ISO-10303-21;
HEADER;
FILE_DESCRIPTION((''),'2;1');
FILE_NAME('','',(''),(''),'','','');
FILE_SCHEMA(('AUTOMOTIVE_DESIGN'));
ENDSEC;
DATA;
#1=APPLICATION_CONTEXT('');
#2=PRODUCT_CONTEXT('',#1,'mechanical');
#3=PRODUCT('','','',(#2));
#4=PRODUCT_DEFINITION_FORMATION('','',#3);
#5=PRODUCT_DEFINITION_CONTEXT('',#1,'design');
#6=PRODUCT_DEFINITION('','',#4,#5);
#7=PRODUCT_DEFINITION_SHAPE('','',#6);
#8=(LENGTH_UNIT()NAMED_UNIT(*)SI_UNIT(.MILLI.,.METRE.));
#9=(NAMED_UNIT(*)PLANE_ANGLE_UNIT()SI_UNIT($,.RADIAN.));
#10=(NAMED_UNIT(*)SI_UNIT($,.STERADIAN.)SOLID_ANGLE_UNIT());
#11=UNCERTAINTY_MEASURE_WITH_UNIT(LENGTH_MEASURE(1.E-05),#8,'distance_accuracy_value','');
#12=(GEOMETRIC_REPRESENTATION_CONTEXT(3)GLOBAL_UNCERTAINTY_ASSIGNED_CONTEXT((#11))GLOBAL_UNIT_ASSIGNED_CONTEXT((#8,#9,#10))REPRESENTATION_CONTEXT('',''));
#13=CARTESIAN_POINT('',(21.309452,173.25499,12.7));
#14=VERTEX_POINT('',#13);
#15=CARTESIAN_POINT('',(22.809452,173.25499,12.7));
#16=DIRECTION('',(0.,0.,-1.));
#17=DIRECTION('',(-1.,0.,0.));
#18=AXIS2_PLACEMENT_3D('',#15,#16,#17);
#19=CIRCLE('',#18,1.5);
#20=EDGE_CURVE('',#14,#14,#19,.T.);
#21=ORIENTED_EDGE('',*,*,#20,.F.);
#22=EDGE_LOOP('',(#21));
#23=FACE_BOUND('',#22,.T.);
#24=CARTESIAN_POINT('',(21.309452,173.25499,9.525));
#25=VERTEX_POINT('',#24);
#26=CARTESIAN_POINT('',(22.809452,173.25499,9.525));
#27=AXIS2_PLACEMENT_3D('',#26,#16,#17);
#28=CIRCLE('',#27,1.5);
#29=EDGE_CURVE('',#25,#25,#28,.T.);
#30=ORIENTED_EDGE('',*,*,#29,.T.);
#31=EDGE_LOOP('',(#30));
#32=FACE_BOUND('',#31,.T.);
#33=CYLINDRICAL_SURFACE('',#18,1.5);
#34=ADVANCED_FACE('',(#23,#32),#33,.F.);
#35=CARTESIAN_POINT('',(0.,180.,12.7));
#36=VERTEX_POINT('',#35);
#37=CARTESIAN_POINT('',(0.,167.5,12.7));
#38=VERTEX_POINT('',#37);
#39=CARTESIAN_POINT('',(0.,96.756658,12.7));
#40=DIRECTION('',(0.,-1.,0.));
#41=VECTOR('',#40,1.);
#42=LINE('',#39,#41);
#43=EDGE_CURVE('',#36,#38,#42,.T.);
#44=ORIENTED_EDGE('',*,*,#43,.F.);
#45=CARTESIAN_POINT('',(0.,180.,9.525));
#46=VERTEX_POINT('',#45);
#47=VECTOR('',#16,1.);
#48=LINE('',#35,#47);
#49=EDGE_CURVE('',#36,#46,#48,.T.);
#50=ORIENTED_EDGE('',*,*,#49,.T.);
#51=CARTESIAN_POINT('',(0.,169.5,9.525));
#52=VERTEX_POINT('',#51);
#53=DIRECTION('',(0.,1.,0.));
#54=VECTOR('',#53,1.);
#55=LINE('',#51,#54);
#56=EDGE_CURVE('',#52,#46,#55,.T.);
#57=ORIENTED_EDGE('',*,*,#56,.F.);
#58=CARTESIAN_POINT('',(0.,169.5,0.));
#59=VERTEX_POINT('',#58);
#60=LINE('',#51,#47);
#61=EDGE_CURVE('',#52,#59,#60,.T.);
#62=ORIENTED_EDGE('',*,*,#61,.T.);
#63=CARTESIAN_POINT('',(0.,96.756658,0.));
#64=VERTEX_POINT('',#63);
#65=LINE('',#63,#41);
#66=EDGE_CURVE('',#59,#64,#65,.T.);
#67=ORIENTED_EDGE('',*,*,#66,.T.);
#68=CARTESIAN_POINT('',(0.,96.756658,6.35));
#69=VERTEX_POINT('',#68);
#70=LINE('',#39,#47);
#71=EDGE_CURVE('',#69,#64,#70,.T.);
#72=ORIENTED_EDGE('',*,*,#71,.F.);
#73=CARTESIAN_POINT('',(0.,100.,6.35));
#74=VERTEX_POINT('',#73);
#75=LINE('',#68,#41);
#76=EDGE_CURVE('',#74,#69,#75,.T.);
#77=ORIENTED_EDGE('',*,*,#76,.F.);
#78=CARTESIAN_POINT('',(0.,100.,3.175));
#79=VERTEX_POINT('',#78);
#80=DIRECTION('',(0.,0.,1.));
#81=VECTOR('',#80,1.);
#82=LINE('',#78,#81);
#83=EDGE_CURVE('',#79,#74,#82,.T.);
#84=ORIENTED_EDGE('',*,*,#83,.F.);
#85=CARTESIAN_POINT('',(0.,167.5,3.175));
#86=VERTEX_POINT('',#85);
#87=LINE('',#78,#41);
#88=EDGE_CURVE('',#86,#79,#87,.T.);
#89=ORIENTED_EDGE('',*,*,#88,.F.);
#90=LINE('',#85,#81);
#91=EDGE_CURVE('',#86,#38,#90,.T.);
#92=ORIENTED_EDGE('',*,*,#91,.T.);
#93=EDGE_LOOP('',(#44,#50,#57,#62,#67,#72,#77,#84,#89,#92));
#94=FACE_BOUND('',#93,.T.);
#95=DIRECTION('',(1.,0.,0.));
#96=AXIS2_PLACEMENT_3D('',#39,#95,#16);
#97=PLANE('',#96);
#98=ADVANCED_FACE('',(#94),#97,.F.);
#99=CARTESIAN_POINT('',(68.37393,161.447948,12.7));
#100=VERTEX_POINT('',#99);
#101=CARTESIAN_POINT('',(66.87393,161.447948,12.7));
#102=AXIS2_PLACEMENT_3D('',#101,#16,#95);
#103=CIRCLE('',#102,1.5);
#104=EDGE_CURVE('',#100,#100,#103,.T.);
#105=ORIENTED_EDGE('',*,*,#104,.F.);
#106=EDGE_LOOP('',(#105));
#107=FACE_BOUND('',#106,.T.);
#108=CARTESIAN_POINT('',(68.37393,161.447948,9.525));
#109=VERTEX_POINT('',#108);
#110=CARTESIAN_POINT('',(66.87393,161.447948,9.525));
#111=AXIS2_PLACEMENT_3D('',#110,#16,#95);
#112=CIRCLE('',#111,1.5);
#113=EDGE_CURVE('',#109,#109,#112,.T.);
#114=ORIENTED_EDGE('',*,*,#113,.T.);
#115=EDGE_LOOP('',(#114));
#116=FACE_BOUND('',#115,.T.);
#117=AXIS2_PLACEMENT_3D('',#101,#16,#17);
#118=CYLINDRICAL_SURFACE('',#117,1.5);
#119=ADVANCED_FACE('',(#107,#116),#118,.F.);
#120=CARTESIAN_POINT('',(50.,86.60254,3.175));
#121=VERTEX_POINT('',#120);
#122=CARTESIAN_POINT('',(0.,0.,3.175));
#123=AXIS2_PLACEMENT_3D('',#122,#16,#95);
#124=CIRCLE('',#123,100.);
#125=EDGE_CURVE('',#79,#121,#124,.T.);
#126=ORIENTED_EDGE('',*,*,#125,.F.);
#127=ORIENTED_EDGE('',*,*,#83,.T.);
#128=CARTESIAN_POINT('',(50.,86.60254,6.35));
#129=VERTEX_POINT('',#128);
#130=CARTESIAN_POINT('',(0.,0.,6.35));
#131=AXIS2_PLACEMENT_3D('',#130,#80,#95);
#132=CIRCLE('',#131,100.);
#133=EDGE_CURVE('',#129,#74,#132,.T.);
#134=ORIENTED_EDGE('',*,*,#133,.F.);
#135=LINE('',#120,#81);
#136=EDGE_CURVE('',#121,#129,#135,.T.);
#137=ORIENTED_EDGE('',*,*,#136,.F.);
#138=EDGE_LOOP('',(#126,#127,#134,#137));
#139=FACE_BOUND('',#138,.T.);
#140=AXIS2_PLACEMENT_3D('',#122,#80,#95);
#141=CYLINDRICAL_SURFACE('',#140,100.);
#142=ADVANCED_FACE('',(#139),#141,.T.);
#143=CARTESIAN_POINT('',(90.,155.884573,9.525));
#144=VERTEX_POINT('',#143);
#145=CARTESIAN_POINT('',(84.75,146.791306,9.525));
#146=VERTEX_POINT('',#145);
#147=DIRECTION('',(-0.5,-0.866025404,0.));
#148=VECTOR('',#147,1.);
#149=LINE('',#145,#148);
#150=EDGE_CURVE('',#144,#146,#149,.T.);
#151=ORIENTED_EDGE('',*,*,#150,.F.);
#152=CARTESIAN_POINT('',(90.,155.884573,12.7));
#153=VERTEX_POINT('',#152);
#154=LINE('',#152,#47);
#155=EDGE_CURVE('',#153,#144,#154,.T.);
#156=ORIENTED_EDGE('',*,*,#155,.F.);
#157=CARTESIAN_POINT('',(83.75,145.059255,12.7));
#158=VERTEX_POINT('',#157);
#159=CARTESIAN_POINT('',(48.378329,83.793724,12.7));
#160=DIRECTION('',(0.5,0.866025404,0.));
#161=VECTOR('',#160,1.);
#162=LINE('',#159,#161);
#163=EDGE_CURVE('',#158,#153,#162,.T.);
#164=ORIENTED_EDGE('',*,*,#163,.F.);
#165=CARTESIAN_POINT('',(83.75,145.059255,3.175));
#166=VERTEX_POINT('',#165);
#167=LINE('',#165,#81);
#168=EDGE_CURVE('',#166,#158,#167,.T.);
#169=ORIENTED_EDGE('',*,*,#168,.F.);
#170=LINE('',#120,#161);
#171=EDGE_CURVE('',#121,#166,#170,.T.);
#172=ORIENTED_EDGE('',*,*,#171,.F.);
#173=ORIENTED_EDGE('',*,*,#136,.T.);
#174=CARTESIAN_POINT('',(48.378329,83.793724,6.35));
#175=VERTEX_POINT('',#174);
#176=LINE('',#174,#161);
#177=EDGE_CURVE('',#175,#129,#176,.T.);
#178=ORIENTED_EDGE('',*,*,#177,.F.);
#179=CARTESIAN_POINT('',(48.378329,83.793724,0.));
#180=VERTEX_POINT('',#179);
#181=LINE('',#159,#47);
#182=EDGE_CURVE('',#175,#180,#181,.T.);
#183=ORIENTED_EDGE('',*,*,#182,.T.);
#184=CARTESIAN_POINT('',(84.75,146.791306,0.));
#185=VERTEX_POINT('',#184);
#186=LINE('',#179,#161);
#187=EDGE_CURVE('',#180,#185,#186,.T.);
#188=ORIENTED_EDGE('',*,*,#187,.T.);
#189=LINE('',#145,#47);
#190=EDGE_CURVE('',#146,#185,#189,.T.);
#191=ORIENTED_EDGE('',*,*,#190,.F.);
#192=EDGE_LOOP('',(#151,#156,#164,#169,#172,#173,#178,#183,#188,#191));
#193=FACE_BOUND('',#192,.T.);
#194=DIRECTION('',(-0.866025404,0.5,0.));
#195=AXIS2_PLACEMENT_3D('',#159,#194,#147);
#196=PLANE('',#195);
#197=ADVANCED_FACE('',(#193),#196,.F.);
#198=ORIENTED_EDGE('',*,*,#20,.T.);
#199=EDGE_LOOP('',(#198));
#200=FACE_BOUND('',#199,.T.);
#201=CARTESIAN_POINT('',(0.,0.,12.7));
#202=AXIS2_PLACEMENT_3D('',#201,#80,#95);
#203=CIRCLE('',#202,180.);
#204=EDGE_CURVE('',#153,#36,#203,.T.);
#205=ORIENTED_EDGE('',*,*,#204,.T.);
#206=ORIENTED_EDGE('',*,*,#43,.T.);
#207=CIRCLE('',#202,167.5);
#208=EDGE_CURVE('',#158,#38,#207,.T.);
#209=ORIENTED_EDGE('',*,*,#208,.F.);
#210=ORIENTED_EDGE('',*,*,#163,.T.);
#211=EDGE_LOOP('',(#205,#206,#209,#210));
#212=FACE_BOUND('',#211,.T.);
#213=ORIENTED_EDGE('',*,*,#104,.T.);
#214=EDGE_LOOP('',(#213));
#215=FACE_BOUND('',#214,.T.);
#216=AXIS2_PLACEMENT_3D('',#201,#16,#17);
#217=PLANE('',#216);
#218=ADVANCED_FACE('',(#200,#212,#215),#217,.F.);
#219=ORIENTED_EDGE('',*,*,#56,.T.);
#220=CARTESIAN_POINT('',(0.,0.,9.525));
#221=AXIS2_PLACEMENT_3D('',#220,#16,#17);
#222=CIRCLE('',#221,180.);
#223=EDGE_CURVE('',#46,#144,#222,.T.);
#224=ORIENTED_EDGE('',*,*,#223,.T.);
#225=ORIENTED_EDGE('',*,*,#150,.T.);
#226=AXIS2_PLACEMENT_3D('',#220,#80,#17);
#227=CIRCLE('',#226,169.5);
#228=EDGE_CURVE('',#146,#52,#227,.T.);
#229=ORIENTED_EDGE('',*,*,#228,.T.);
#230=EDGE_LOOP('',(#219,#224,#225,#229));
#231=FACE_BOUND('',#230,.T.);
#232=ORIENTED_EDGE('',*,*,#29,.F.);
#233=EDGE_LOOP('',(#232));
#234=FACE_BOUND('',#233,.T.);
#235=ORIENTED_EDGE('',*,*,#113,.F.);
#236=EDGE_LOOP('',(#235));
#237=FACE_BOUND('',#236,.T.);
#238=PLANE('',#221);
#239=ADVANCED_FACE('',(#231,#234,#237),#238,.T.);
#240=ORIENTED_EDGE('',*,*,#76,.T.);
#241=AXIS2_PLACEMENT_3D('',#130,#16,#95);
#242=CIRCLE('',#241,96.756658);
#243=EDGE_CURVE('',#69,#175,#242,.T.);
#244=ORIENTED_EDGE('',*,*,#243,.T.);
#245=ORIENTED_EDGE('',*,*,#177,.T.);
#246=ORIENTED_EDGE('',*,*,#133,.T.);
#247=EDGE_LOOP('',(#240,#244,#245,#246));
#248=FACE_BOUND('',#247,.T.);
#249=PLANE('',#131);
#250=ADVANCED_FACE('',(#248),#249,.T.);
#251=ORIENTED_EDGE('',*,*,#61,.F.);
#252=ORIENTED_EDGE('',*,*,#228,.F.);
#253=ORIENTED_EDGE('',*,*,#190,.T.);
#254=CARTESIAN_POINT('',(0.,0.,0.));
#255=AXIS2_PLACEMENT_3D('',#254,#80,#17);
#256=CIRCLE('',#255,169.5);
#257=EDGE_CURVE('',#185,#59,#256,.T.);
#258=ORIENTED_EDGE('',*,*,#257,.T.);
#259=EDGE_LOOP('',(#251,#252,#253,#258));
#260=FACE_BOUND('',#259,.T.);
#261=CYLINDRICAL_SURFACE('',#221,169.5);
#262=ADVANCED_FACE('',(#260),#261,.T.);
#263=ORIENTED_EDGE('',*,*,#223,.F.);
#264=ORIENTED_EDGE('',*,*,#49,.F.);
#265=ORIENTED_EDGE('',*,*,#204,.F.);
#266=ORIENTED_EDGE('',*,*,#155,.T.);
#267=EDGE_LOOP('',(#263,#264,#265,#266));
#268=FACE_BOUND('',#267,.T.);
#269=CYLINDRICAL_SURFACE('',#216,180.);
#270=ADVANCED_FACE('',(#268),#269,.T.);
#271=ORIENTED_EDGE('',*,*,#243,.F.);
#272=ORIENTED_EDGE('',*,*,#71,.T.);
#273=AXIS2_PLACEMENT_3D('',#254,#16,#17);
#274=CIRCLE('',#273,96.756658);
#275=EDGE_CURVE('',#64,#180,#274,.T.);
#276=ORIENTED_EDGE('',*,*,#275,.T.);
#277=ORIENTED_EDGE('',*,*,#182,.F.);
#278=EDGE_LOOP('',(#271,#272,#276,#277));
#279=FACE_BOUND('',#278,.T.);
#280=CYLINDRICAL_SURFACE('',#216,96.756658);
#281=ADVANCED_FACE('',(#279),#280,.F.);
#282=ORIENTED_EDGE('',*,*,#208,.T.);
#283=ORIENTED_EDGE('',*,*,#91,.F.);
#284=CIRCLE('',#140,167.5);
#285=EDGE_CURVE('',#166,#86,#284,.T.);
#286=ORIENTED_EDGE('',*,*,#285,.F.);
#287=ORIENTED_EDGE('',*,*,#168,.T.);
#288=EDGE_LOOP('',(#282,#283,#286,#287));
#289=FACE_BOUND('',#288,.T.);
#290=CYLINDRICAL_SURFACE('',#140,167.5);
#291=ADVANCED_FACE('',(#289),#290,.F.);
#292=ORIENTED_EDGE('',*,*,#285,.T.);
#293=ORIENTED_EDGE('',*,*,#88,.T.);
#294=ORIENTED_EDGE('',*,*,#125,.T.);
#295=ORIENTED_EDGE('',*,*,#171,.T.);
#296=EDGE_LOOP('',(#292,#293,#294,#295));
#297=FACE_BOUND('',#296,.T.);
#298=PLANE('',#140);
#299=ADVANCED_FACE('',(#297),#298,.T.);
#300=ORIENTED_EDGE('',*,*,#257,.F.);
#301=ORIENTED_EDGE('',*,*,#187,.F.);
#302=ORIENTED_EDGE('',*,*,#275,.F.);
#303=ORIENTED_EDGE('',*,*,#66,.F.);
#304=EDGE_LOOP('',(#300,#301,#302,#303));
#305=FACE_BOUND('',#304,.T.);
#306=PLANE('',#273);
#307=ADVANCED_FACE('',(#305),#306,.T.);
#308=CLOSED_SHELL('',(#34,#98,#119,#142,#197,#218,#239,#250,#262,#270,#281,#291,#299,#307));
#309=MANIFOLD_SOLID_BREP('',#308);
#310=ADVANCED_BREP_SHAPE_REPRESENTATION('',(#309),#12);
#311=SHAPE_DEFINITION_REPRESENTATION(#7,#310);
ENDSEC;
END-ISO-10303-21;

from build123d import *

# Parameters (mm, degrees)
BOSS_EXTRUDE1_DEPTH = 12.7
CUT_EXTRUDE1_DEPTH  = 9.525
CUT_EXTRUDE2_DEPTH  = 6.35
CUT_EXTRUDE3_DEPTH  = 9.525
SKETCH5_R           = 1.5
CUT_EXTRUDE4_DEPTH  = 3.175


with BuildPart() as part:
    # Sketch1 → Boss-Extrude1 (new body)
    with BuildSketch(Plane.XY):
        with BuildLine():
            Line((48.378329117, 83.793724016), (90, 155.884572681))
            ThreePointArc((90, 155.884572681), (46.587428118, 173.866648732), (0, 180))
            Line((0, 180), (0, 96.756658234))
            ThreePointArc((0, 96.756658234), (25.042465891, 93.459755054), (48.378329117, 83.793724016))
        make_face()
    extrude(amount=BOSS_EXTRUDE1_DEPTH)

    # Sketch2 → Cut-Extrude1 (cut)
    with BuildSketch(Plane.XY.offset(12.7)):
        with BuildLine():
            Line((0, 100), (0, 167.5))
            ThreePointArc((0, 167.5), (43.352190055, 161.792575903), (83.75, 145.059255134))
            Line((83.75, 145.059255134), (50, 86.602540378))
            ThreePointArc((50, 86.602540378), (25.88190451, 96.592582629), (0, 100))
        make_face()
    extrude(amount=-CUT_EXTRUDE1_DEPTH, mode=Mode.SUBTRACT)

    # Sketch3 → Cut-Extrude2 (cut)
    with BuildSketch(Plane.XY.offset(12.7)):
        with BuildLine():
            Line((48.378329117, 83.793724016), (50, 86.602540378))
            ThreePointArc((50, 86.602540378), (25.88190451, 96.592582629), (0, 100))
            Line((0, 100), (0, 96.756658234))
            ThreePointArc((0, 96.756658234), (25.042465891, 93.459755054), (48.378329117, 83.793724016))
        make_face()
    extrude(amount=-CUT_EXTRUDE2_DEPTH, mode=Mode.SUBTRACT)

    # Sketch4 → Cut-Extrude3 (cut)
    with BuildSketch(Plane(origin=(0, 0, 0), x_dir=(-1, 0, 0), z_dir=(0, 0, -1))):
        with BuildLine():
            Line((0, 169.5), (0, 180))
            ThreePointArc((0, 180), (-46.587428118, 173.866648732), (-90, 155.884572681))
            Line((-90, 155.884572681), (-84.75, 146.791305941))
            ThreePointArc((-84.75, 146.791305941), (-43.869828145, 163.724427556), (0, 169.5))
        make_face()
    extrude(amount=-CUT_EXTRUDE3_DEPTH, mode=Mode.SUBTRACT)

    # Sketch5 → Cut-Extrude4 (cut)
    with BuildSketch(Plane(origin=(0, 0, 9.525), x_dir=(-1, 0, 0), z_dir=(0, 0, -1))):
        with Locations((-22.80945209, 173.254989525)):
            Circle(SKETCH5_R)
        with Locations(Location((-66.873929806, 161.447948306, 0), (0, 0, 180))):
            Circle(SKETCH5_R)
    extrude(amount=-CUT_EXTRUDE4_DEPTH, mode=Mode.SUBTRACT)


solid = part.part
